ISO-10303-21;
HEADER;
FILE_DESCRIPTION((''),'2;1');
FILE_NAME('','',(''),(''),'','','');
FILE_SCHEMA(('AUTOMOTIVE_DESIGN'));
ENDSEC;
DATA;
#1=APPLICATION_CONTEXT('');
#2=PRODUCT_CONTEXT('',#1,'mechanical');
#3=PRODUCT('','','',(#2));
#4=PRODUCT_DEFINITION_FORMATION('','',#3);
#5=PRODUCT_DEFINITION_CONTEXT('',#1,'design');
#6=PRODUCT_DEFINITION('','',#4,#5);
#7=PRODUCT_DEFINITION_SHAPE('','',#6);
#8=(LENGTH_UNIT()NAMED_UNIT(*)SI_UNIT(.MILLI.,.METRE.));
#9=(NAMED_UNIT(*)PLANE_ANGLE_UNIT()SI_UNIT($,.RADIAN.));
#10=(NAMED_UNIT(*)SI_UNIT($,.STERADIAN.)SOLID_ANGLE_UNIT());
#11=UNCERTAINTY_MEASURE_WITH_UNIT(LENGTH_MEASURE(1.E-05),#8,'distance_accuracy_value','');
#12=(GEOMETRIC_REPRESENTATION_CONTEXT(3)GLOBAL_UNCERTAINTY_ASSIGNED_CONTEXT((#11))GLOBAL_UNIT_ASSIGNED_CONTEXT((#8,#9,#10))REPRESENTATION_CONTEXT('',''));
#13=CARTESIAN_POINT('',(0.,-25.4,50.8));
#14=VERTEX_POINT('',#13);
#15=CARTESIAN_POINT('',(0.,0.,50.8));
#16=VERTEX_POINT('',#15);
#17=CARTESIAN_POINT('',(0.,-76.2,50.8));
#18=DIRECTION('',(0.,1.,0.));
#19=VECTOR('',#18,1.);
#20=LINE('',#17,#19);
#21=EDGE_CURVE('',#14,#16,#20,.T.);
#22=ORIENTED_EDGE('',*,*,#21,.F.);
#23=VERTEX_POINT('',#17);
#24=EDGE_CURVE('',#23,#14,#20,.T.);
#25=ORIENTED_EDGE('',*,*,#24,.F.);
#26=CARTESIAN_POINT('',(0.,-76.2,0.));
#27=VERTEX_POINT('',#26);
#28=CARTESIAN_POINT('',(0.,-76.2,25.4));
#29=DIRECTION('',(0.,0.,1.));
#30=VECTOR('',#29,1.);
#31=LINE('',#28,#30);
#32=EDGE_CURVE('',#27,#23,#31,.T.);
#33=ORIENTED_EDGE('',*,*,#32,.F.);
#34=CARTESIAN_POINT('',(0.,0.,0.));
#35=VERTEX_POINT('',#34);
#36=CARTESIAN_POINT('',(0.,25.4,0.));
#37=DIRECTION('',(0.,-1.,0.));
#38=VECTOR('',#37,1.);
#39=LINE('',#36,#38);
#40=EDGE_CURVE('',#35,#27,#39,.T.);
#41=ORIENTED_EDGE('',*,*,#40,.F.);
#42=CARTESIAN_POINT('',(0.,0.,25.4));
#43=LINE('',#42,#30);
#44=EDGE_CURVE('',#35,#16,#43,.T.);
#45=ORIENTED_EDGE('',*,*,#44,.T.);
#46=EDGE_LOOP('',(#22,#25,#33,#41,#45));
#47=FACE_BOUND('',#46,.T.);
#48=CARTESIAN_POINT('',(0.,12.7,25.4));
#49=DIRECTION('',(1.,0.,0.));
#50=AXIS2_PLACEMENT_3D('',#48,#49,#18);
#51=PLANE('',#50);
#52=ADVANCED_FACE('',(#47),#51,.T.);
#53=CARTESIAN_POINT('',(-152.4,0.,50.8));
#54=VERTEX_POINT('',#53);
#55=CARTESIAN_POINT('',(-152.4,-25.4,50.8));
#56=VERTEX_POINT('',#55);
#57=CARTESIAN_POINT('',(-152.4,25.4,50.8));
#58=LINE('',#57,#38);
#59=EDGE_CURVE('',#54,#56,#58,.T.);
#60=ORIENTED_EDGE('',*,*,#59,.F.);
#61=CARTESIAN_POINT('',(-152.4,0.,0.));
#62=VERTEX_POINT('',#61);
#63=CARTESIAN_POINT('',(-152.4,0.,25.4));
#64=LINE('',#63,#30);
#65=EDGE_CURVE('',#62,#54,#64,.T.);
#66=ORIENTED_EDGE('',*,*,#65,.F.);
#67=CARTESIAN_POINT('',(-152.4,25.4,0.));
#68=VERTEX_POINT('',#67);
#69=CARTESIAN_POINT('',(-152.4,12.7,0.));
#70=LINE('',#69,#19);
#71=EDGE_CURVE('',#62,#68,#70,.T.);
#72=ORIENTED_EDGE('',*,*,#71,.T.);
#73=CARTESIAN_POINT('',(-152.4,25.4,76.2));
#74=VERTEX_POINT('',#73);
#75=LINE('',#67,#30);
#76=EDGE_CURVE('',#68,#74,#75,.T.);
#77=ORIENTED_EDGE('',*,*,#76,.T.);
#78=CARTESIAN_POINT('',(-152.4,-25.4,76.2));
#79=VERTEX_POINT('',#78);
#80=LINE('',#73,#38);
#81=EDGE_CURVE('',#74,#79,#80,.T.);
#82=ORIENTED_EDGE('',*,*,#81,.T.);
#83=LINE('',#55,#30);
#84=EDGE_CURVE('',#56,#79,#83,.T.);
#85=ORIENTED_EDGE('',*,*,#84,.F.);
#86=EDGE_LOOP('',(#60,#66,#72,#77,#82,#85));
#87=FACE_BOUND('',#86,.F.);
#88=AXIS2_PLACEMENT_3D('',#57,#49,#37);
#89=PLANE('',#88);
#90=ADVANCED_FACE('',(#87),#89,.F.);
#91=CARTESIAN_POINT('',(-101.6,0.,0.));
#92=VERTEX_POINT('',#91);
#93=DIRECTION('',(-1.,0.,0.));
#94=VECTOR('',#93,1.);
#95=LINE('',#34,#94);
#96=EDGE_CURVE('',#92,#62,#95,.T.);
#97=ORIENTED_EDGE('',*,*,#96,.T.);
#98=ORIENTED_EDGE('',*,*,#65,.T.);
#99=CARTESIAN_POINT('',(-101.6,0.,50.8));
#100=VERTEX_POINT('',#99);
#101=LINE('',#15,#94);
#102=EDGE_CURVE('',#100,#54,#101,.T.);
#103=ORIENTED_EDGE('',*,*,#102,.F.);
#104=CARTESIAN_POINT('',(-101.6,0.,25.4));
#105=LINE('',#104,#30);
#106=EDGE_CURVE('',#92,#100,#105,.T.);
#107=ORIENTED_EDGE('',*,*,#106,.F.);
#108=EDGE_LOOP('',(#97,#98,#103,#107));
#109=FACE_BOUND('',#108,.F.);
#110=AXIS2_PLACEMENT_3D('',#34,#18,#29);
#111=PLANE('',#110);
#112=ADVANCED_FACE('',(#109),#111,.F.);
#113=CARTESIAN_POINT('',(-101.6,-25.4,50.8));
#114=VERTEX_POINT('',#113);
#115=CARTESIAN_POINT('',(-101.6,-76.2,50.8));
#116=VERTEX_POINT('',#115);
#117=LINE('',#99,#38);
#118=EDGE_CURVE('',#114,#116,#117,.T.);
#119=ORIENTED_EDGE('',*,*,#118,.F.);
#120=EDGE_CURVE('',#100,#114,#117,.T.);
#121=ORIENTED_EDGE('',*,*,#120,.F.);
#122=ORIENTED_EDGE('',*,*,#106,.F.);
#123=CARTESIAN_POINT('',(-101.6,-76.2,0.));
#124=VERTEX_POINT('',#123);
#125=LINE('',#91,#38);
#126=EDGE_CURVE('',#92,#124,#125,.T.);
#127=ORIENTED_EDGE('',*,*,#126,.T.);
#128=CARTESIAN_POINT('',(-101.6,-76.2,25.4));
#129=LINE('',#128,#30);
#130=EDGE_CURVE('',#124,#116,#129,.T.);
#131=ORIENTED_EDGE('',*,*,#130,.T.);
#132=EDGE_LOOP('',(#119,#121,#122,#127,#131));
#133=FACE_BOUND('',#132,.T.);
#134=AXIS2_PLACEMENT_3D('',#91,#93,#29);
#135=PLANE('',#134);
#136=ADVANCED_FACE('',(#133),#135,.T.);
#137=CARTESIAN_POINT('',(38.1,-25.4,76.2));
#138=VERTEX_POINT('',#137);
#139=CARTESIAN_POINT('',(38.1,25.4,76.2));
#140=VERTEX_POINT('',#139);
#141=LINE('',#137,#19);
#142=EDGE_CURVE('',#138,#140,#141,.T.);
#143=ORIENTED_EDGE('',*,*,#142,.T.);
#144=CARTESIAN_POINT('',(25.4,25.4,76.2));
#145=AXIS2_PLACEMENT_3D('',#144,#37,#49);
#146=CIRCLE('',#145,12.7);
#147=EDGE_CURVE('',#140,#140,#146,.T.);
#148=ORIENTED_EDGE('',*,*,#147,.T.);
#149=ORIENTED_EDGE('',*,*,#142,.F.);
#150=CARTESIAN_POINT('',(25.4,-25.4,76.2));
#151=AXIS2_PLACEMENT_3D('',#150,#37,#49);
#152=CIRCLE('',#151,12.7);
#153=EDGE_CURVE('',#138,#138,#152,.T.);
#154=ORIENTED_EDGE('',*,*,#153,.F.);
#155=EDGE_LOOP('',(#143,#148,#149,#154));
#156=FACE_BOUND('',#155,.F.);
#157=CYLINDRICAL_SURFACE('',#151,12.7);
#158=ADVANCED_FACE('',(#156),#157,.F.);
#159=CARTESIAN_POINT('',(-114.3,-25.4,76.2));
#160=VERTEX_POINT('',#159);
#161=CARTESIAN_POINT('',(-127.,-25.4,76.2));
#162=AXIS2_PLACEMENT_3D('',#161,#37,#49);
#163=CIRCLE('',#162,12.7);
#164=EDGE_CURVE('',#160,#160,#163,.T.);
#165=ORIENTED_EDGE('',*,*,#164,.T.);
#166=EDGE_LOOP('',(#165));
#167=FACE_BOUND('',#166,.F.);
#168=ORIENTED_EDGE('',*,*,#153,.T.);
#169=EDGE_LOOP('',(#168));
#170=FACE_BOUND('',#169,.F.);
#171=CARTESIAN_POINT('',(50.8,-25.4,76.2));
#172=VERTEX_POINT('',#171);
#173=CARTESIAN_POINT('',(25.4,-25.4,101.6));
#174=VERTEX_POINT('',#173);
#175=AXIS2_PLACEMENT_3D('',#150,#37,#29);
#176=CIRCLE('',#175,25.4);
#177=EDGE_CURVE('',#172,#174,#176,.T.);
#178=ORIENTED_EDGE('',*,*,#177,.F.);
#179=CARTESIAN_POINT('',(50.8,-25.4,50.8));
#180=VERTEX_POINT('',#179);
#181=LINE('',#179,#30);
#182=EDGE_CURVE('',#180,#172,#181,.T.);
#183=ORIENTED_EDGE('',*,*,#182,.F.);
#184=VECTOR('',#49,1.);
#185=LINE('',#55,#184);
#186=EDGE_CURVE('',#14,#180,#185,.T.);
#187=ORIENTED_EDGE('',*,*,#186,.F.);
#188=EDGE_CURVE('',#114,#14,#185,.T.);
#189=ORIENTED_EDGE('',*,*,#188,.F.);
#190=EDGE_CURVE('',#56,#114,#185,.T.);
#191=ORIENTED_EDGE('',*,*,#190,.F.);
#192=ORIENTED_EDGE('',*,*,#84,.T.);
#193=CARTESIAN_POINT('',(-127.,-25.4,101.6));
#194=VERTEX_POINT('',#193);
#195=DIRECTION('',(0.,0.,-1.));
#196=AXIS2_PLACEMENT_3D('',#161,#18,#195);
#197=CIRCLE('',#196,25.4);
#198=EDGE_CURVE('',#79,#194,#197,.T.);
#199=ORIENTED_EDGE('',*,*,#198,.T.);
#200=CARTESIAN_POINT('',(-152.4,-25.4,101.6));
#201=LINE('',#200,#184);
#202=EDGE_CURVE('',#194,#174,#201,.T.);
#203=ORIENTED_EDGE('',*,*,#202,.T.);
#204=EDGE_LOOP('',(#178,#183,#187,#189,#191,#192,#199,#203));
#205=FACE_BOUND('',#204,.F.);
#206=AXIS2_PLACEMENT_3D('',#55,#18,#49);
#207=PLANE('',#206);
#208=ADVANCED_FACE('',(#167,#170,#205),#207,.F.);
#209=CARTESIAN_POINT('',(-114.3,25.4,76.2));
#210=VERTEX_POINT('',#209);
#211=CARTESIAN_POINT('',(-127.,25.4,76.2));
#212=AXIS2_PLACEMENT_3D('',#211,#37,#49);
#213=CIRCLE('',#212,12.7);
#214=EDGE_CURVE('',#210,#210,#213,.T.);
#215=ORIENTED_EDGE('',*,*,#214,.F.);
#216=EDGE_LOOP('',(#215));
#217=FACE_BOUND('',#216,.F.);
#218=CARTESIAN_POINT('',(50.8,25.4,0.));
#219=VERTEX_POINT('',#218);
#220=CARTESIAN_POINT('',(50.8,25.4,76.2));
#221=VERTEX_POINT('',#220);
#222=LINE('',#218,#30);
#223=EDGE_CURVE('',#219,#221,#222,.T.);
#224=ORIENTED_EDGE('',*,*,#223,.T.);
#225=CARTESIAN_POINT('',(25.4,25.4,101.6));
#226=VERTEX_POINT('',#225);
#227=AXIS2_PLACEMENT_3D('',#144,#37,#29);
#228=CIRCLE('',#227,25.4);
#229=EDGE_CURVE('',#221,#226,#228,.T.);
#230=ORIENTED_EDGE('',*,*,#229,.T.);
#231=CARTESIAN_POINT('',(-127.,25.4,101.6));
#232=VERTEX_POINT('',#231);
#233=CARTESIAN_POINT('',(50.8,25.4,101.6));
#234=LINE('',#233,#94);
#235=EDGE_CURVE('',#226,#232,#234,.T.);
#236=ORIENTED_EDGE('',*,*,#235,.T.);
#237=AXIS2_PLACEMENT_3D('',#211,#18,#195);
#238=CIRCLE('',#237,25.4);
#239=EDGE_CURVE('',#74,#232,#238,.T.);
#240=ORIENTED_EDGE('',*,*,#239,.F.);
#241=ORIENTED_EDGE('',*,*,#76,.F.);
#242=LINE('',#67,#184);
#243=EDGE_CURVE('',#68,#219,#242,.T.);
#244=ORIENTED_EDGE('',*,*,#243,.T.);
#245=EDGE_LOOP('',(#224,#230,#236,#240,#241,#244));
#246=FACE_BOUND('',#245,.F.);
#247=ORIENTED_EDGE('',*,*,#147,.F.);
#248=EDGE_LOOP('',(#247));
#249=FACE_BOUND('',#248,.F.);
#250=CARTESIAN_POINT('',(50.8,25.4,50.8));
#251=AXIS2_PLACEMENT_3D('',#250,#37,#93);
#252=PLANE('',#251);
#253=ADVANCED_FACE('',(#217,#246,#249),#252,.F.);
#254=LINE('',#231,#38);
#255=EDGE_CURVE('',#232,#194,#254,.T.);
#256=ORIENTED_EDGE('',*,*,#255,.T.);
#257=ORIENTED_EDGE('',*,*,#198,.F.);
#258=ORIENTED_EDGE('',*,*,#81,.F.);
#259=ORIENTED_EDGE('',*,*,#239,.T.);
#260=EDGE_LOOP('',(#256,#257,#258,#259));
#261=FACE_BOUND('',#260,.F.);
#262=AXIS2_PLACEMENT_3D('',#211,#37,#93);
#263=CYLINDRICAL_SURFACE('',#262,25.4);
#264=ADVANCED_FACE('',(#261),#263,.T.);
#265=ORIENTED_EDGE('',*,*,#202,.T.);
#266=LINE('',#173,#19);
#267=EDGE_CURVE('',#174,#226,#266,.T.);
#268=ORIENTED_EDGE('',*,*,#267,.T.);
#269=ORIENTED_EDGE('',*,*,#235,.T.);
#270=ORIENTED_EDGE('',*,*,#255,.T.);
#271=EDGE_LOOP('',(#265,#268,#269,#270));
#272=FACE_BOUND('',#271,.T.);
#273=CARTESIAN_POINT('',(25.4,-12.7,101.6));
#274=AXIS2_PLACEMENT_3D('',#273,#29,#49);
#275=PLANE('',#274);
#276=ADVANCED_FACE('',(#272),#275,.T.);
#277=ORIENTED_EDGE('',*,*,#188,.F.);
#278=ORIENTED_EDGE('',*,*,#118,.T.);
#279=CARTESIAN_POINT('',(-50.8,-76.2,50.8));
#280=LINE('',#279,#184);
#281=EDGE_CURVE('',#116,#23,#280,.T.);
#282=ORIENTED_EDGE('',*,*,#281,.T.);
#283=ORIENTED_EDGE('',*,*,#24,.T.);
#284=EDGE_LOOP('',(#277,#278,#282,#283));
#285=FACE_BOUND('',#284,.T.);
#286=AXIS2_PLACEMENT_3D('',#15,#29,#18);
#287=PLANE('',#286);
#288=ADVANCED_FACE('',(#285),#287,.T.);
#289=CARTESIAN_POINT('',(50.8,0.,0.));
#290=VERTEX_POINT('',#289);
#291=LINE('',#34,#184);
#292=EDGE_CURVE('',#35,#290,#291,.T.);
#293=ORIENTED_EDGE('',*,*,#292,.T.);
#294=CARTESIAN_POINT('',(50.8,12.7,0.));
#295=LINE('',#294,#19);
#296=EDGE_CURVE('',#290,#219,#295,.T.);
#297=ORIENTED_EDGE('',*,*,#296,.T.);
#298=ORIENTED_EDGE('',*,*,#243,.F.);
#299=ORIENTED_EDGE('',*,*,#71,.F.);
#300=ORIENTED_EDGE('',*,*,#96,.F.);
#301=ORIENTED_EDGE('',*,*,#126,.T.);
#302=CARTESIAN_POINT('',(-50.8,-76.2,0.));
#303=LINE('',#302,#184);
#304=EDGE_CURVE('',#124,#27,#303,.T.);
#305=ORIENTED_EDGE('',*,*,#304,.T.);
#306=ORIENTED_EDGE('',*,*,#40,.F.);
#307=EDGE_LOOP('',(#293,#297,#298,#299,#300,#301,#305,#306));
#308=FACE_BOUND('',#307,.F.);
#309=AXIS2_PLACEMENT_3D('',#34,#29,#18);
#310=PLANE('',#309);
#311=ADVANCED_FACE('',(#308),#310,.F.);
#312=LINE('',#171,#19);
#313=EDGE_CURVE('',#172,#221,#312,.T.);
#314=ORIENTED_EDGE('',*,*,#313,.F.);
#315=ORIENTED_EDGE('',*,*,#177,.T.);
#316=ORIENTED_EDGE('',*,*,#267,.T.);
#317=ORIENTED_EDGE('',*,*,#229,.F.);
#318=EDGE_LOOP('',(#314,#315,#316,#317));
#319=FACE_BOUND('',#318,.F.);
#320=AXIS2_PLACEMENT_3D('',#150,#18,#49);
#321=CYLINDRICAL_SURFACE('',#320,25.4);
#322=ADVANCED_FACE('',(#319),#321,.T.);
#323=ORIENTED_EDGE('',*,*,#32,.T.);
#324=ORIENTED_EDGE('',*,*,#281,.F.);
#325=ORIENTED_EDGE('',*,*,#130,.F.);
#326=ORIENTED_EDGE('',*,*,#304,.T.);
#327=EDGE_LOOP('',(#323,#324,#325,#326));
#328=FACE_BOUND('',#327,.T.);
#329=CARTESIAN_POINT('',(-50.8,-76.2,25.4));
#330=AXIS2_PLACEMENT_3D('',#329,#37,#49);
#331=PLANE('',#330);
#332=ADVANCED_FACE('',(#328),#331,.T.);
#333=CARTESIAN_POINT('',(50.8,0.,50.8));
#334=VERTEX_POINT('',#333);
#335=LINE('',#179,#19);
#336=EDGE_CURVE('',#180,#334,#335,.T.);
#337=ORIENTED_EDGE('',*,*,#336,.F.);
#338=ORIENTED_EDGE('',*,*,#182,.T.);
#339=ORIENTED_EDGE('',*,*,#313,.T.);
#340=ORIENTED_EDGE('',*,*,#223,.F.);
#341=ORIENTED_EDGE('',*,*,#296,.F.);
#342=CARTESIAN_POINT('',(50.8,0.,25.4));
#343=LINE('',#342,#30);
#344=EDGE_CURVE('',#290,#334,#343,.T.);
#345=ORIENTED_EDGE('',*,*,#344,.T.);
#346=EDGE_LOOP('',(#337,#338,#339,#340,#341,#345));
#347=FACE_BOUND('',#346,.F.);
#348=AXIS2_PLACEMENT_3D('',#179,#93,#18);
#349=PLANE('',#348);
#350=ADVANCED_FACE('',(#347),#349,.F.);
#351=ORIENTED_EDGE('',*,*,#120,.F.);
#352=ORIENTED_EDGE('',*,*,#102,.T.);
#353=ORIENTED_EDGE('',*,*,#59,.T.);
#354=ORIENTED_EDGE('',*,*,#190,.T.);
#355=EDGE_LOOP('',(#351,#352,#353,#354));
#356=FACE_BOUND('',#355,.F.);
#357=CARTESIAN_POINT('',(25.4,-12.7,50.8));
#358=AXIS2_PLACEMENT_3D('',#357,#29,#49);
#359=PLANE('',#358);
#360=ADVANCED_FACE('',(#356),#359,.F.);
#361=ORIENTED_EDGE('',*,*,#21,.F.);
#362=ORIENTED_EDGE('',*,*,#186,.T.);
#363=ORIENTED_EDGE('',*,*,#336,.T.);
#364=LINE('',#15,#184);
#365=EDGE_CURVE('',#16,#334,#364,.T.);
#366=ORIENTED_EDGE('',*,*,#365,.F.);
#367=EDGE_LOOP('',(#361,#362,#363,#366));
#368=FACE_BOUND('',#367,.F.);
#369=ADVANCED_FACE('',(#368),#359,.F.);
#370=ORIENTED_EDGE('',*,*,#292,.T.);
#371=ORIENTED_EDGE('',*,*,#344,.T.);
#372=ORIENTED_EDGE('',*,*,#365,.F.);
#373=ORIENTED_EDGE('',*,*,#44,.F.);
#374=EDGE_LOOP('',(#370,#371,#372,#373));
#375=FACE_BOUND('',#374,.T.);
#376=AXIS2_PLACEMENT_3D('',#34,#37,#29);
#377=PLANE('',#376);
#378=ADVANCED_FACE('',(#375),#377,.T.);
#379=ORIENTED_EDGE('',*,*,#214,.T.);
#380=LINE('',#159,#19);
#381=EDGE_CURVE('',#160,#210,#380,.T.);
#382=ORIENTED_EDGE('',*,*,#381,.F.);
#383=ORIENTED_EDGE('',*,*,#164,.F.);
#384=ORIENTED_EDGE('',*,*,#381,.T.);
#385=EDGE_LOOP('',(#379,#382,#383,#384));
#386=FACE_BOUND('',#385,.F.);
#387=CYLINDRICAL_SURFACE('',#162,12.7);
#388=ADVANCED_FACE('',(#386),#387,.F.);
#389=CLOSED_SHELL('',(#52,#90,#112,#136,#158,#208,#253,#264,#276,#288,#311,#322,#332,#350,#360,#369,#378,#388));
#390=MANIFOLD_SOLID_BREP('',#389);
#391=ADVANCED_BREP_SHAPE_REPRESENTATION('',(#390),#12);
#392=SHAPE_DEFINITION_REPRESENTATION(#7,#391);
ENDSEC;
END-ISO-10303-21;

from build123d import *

# Parameters (mm, degrees)
F0_W      = 101.6
F0_H      = 50.8
F1_DEPTH  = 76.2
F2_W      = 25.4
F2_H      = 50.8
F3_DEPTH  = 152.4
F4_W      = 25.4
F4_H      = 50.8
F5_DEPTH  = 50.8
F6_W      = 50.8
F6_H      = 25.4
F7_DEPTH  = 50.8
F8_R      = 25.4
F9_R      = 12.7
F10_DEPTH = 50.8
F11_R     = 12.7
F12_DEPTH = 50.8


with BuildPart() as f1:
    # F0 (on Front) → F1 (new body)
    with BuildSketch(Plane.XZ):
        with Locations((-50.8, 25.4)):
            Rectangle(F0_W, F0_H)
    extrude(amount=F1_DEPTH)

    # F2 (on face) → F3 (join)
    with BuildSketch(Plane.YZ):
        with Locations((12.7, 25.4)):
            Rectangle(F2_W, F2_H)
    extrude(amount=-F3_DEPTH)

    # F4 (on face) → F5 (join)
    with BuildSketch(Plane.YZ):
        with Locations((12.7, 25.4)):
            Rectangle(F4_W, F4_H)
    extrude(amount=F5_DEPTH)

    # F6 (on face) → F7 (join)
    with BuildSketch(Plane.XY.offset(50.8)):
        with Locations((25.4, -12.7)):
            Rectangle(F6_W, F6_H)
        with Locations((-127, -12.7)):
            Rectangle(F6_W, F6_H)
        Polygon((50.8, 25.4), (-152.4, 25.4), (-152.4, 0), (-101.6, 0), (-101.6, -25.4), (0, -25.4), (0, 0), (50.8, 0), align=None)
    extrude(amount=F7_DEPTH)

    # F8
    f8_edges = [f1.edges().sort_by_distance(p)[0] for p in [
        (50.8, 0, 101.6),
        (-152.4, 0, 101.6),
    ]]
    fillet(f8_edges, radius=F8_R)

    # F9 (on face) → F10 (cut)
    with BuildSketch(Plane.XZ.offset(25.4)):
        with Locations((-127, 76.2)):
            Circle(F9_R)
    extrude(amount=-F10_DEPTH, mode=Mode.SUBTRACT)

    # F11 (on face) → F12 (cut)
    with BuildSketch(Plane.XZ.offset(25.4)):
        with Locations((25.4, 76.2)):
            Circle(F11_R)
    extrude(amount=-F12_DEPTH, mode=Mode.SUBTRACT)


solid = f1.part
